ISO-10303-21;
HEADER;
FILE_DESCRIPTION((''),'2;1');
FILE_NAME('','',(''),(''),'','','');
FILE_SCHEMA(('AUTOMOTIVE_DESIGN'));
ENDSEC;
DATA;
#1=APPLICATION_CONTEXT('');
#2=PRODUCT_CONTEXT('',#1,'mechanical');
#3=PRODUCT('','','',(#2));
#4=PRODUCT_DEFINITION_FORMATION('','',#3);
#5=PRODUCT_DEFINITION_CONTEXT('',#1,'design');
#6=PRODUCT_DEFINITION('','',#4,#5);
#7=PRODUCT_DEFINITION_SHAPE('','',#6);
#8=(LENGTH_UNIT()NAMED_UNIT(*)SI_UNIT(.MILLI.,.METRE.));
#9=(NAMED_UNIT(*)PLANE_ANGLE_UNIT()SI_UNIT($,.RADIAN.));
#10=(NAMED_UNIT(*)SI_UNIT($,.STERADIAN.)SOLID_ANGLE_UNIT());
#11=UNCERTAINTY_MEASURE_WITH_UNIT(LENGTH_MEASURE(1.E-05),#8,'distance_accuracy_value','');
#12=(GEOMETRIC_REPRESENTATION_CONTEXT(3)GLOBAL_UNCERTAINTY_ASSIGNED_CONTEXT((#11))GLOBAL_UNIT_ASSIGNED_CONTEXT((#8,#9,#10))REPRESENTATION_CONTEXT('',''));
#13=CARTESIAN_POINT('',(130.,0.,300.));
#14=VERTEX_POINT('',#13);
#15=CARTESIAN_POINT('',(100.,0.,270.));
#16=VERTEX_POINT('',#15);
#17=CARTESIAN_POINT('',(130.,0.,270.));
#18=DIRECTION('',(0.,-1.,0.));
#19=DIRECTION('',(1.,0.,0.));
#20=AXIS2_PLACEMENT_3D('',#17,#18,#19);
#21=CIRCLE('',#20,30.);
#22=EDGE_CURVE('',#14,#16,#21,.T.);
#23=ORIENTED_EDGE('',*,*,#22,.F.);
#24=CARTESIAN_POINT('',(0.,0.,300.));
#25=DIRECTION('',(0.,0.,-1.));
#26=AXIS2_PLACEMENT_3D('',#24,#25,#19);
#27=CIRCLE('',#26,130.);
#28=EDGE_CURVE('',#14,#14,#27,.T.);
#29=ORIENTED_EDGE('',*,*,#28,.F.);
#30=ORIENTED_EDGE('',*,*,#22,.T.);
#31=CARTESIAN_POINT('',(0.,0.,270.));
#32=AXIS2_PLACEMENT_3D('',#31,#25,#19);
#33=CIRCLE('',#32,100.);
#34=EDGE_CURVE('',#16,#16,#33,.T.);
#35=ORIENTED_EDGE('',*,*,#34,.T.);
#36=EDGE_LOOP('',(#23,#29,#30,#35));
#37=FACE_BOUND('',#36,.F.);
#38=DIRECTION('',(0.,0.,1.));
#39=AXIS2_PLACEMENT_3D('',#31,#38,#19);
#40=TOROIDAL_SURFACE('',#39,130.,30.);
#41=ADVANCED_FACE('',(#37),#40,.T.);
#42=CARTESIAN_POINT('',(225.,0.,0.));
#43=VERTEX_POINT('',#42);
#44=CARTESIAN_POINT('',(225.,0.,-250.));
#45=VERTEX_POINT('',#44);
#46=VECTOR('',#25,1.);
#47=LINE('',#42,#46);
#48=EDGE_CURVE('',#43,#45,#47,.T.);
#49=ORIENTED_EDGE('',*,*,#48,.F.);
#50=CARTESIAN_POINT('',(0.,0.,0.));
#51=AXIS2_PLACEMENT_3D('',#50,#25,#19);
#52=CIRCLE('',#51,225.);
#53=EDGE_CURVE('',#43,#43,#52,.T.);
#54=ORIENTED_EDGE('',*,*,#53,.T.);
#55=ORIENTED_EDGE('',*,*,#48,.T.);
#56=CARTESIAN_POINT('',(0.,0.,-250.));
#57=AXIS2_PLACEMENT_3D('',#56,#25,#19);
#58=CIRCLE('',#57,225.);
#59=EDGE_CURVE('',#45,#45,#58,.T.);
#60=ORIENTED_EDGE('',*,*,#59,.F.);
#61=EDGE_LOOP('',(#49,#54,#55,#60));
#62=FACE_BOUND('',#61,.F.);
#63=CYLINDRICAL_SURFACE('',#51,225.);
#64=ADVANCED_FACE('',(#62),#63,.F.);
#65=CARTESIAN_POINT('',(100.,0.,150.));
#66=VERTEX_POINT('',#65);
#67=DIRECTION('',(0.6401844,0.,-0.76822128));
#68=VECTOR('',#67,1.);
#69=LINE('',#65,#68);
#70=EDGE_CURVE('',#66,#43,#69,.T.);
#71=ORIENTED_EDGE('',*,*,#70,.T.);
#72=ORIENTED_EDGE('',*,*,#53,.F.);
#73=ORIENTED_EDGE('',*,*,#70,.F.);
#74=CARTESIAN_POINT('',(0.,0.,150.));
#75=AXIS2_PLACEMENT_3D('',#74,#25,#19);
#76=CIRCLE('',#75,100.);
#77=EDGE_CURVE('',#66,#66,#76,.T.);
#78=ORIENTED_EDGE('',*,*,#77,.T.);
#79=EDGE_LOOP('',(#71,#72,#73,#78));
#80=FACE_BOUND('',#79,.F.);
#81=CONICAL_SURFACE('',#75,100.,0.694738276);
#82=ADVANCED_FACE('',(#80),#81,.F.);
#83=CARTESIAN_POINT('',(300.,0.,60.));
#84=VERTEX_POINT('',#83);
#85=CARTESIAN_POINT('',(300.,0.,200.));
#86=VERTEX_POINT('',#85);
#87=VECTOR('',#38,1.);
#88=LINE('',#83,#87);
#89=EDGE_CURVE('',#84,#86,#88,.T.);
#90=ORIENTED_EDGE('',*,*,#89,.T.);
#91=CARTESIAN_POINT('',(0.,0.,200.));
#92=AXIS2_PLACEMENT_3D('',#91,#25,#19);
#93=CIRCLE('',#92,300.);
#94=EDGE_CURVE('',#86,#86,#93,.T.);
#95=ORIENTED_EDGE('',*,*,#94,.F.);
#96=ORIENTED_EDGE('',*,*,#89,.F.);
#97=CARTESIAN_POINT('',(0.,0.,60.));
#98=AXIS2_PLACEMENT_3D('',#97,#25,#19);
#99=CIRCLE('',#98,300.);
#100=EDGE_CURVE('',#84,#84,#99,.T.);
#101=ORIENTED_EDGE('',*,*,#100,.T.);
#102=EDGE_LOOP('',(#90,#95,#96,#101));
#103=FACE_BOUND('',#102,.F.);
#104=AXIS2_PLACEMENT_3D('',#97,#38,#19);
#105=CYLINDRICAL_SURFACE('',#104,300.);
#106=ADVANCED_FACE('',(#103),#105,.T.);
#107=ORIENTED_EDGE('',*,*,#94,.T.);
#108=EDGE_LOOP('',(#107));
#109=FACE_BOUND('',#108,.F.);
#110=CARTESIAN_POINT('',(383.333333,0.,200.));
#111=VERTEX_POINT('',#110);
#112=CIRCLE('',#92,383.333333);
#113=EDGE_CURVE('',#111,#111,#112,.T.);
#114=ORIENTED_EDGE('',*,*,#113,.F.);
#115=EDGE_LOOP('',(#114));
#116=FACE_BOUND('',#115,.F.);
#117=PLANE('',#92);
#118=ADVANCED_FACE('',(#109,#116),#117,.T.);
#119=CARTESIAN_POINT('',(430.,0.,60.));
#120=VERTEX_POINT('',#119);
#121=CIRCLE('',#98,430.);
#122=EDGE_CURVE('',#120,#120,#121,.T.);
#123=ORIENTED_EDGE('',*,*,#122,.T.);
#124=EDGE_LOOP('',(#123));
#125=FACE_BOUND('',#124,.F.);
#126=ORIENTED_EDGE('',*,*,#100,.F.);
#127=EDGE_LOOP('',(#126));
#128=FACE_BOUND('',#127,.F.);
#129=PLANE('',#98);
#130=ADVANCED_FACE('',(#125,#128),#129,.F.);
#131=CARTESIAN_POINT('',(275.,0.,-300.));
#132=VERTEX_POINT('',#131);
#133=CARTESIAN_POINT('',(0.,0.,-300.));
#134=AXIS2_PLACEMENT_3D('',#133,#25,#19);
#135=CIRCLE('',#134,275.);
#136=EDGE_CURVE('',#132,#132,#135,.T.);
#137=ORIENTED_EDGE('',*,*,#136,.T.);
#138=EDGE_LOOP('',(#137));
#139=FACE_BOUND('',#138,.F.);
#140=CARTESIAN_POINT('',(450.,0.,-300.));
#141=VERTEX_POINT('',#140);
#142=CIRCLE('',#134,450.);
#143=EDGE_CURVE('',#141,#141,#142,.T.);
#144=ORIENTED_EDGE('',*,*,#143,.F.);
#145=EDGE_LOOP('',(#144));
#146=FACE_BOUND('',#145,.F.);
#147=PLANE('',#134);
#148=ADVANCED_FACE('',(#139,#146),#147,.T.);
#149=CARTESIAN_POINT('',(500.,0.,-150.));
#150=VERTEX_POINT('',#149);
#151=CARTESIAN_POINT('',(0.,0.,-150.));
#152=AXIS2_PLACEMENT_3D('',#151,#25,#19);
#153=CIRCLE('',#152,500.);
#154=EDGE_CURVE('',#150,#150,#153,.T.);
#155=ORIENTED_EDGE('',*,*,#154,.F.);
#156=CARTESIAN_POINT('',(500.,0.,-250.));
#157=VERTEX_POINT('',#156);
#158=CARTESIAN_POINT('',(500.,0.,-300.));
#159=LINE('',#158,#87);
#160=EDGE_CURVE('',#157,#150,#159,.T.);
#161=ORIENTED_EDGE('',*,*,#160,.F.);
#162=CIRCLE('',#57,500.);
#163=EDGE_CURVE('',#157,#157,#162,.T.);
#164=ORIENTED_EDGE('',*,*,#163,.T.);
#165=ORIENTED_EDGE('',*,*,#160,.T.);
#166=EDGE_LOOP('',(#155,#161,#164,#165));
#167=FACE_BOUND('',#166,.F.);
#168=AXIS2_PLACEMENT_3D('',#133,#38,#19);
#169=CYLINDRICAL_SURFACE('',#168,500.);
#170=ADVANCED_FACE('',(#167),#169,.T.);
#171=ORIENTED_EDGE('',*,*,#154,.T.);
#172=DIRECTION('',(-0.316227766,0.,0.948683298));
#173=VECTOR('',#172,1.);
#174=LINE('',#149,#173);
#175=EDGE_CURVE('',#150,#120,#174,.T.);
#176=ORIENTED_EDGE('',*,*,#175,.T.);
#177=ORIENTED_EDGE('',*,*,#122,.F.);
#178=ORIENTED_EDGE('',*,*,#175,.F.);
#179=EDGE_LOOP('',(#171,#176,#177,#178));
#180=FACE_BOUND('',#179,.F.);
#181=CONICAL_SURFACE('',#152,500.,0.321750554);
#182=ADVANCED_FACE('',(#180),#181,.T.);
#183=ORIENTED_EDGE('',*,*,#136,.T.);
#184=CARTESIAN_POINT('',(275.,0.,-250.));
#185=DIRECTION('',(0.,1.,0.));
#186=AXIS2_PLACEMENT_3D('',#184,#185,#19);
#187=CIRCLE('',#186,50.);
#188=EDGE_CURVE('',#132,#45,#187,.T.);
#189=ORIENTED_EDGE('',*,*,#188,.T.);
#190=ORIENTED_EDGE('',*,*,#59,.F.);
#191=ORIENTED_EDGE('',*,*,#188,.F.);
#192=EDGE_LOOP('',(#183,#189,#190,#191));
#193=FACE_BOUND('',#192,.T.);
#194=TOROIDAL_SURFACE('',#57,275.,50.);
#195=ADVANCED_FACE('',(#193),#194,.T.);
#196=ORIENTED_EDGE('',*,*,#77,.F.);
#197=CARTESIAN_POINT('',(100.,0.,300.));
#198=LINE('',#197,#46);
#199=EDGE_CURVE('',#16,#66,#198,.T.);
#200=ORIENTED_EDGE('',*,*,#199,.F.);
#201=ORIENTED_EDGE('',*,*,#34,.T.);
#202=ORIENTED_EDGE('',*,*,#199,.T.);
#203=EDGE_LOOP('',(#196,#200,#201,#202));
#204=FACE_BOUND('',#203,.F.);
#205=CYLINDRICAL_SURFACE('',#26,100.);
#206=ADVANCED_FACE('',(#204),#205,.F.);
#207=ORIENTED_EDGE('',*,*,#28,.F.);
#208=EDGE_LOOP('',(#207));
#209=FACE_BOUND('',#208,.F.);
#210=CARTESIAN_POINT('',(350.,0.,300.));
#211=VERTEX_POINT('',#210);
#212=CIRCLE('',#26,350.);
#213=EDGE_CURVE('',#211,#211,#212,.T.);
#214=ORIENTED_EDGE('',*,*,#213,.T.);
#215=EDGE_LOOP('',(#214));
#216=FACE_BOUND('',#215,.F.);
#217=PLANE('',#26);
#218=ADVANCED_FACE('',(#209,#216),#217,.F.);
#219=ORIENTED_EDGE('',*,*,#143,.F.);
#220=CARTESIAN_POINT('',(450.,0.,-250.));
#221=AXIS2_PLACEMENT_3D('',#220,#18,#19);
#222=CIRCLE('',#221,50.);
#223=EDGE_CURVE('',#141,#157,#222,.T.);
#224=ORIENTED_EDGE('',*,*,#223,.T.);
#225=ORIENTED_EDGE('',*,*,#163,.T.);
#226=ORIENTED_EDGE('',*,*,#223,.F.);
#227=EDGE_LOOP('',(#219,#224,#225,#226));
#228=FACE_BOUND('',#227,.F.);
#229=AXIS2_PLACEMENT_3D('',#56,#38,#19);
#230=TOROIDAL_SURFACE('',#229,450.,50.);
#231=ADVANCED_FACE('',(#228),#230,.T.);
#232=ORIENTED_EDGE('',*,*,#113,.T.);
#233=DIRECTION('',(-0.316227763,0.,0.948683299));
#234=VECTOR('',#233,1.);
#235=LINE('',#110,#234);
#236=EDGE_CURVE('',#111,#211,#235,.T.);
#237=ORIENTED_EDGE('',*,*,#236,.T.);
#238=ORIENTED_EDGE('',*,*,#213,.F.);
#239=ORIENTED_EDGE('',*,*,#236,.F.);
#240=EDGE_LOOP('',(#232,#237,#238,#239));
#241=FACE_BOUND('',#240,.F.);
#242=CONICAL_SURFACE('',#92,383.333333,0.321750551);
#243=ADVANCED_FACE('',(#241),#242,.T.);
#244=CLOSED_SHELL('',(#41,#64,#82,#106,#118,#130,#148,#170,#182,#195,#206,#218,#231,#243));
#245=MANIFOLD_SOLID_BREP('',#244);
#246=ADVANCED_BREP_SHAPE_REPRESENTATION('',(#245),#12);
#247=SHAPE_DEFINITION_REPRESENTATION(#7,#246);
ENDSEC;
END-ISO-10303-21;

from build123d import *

# Parameters (mm, degrees)
F2_R = 30
F3_R = 50
F4_R = 50


with BuildPart() as f1:
    # F0 (on Front) → F1 (revolve)
    with BuildSketch(Plane.XZ):
        Polygon((350, 300), (100, 300), (100, 150), (225, 0), (225, -300), (500, -300), (500, -150), (430, 60), (300, 60), (300, 200), (383.333333, 200), align=None)
    revolve(axis=Axis((0, 0, 0), (0, 0, -1)))

    # F2
    f2_edges = [f1.edges().sort_by_distance(p)[0] for p in [
        (-100, 0, 300),
    ]]
    fillet(f2_edges, radius=F2_R)

    # F3
    f3_edges = [f1.edges().sort_by_distance(p)[0] for p in [
        (-500, 0, -300),
    ]]
    fillet(f3_edges, radius=F3_R)

    # F4
    f4_edges = [f1.edges().sort_by_distance(p)[0] for p in [
        (-225, 0, -300),
    ]]
    fillet(f4_edges, radius=F4_R)


solid = f1.part
